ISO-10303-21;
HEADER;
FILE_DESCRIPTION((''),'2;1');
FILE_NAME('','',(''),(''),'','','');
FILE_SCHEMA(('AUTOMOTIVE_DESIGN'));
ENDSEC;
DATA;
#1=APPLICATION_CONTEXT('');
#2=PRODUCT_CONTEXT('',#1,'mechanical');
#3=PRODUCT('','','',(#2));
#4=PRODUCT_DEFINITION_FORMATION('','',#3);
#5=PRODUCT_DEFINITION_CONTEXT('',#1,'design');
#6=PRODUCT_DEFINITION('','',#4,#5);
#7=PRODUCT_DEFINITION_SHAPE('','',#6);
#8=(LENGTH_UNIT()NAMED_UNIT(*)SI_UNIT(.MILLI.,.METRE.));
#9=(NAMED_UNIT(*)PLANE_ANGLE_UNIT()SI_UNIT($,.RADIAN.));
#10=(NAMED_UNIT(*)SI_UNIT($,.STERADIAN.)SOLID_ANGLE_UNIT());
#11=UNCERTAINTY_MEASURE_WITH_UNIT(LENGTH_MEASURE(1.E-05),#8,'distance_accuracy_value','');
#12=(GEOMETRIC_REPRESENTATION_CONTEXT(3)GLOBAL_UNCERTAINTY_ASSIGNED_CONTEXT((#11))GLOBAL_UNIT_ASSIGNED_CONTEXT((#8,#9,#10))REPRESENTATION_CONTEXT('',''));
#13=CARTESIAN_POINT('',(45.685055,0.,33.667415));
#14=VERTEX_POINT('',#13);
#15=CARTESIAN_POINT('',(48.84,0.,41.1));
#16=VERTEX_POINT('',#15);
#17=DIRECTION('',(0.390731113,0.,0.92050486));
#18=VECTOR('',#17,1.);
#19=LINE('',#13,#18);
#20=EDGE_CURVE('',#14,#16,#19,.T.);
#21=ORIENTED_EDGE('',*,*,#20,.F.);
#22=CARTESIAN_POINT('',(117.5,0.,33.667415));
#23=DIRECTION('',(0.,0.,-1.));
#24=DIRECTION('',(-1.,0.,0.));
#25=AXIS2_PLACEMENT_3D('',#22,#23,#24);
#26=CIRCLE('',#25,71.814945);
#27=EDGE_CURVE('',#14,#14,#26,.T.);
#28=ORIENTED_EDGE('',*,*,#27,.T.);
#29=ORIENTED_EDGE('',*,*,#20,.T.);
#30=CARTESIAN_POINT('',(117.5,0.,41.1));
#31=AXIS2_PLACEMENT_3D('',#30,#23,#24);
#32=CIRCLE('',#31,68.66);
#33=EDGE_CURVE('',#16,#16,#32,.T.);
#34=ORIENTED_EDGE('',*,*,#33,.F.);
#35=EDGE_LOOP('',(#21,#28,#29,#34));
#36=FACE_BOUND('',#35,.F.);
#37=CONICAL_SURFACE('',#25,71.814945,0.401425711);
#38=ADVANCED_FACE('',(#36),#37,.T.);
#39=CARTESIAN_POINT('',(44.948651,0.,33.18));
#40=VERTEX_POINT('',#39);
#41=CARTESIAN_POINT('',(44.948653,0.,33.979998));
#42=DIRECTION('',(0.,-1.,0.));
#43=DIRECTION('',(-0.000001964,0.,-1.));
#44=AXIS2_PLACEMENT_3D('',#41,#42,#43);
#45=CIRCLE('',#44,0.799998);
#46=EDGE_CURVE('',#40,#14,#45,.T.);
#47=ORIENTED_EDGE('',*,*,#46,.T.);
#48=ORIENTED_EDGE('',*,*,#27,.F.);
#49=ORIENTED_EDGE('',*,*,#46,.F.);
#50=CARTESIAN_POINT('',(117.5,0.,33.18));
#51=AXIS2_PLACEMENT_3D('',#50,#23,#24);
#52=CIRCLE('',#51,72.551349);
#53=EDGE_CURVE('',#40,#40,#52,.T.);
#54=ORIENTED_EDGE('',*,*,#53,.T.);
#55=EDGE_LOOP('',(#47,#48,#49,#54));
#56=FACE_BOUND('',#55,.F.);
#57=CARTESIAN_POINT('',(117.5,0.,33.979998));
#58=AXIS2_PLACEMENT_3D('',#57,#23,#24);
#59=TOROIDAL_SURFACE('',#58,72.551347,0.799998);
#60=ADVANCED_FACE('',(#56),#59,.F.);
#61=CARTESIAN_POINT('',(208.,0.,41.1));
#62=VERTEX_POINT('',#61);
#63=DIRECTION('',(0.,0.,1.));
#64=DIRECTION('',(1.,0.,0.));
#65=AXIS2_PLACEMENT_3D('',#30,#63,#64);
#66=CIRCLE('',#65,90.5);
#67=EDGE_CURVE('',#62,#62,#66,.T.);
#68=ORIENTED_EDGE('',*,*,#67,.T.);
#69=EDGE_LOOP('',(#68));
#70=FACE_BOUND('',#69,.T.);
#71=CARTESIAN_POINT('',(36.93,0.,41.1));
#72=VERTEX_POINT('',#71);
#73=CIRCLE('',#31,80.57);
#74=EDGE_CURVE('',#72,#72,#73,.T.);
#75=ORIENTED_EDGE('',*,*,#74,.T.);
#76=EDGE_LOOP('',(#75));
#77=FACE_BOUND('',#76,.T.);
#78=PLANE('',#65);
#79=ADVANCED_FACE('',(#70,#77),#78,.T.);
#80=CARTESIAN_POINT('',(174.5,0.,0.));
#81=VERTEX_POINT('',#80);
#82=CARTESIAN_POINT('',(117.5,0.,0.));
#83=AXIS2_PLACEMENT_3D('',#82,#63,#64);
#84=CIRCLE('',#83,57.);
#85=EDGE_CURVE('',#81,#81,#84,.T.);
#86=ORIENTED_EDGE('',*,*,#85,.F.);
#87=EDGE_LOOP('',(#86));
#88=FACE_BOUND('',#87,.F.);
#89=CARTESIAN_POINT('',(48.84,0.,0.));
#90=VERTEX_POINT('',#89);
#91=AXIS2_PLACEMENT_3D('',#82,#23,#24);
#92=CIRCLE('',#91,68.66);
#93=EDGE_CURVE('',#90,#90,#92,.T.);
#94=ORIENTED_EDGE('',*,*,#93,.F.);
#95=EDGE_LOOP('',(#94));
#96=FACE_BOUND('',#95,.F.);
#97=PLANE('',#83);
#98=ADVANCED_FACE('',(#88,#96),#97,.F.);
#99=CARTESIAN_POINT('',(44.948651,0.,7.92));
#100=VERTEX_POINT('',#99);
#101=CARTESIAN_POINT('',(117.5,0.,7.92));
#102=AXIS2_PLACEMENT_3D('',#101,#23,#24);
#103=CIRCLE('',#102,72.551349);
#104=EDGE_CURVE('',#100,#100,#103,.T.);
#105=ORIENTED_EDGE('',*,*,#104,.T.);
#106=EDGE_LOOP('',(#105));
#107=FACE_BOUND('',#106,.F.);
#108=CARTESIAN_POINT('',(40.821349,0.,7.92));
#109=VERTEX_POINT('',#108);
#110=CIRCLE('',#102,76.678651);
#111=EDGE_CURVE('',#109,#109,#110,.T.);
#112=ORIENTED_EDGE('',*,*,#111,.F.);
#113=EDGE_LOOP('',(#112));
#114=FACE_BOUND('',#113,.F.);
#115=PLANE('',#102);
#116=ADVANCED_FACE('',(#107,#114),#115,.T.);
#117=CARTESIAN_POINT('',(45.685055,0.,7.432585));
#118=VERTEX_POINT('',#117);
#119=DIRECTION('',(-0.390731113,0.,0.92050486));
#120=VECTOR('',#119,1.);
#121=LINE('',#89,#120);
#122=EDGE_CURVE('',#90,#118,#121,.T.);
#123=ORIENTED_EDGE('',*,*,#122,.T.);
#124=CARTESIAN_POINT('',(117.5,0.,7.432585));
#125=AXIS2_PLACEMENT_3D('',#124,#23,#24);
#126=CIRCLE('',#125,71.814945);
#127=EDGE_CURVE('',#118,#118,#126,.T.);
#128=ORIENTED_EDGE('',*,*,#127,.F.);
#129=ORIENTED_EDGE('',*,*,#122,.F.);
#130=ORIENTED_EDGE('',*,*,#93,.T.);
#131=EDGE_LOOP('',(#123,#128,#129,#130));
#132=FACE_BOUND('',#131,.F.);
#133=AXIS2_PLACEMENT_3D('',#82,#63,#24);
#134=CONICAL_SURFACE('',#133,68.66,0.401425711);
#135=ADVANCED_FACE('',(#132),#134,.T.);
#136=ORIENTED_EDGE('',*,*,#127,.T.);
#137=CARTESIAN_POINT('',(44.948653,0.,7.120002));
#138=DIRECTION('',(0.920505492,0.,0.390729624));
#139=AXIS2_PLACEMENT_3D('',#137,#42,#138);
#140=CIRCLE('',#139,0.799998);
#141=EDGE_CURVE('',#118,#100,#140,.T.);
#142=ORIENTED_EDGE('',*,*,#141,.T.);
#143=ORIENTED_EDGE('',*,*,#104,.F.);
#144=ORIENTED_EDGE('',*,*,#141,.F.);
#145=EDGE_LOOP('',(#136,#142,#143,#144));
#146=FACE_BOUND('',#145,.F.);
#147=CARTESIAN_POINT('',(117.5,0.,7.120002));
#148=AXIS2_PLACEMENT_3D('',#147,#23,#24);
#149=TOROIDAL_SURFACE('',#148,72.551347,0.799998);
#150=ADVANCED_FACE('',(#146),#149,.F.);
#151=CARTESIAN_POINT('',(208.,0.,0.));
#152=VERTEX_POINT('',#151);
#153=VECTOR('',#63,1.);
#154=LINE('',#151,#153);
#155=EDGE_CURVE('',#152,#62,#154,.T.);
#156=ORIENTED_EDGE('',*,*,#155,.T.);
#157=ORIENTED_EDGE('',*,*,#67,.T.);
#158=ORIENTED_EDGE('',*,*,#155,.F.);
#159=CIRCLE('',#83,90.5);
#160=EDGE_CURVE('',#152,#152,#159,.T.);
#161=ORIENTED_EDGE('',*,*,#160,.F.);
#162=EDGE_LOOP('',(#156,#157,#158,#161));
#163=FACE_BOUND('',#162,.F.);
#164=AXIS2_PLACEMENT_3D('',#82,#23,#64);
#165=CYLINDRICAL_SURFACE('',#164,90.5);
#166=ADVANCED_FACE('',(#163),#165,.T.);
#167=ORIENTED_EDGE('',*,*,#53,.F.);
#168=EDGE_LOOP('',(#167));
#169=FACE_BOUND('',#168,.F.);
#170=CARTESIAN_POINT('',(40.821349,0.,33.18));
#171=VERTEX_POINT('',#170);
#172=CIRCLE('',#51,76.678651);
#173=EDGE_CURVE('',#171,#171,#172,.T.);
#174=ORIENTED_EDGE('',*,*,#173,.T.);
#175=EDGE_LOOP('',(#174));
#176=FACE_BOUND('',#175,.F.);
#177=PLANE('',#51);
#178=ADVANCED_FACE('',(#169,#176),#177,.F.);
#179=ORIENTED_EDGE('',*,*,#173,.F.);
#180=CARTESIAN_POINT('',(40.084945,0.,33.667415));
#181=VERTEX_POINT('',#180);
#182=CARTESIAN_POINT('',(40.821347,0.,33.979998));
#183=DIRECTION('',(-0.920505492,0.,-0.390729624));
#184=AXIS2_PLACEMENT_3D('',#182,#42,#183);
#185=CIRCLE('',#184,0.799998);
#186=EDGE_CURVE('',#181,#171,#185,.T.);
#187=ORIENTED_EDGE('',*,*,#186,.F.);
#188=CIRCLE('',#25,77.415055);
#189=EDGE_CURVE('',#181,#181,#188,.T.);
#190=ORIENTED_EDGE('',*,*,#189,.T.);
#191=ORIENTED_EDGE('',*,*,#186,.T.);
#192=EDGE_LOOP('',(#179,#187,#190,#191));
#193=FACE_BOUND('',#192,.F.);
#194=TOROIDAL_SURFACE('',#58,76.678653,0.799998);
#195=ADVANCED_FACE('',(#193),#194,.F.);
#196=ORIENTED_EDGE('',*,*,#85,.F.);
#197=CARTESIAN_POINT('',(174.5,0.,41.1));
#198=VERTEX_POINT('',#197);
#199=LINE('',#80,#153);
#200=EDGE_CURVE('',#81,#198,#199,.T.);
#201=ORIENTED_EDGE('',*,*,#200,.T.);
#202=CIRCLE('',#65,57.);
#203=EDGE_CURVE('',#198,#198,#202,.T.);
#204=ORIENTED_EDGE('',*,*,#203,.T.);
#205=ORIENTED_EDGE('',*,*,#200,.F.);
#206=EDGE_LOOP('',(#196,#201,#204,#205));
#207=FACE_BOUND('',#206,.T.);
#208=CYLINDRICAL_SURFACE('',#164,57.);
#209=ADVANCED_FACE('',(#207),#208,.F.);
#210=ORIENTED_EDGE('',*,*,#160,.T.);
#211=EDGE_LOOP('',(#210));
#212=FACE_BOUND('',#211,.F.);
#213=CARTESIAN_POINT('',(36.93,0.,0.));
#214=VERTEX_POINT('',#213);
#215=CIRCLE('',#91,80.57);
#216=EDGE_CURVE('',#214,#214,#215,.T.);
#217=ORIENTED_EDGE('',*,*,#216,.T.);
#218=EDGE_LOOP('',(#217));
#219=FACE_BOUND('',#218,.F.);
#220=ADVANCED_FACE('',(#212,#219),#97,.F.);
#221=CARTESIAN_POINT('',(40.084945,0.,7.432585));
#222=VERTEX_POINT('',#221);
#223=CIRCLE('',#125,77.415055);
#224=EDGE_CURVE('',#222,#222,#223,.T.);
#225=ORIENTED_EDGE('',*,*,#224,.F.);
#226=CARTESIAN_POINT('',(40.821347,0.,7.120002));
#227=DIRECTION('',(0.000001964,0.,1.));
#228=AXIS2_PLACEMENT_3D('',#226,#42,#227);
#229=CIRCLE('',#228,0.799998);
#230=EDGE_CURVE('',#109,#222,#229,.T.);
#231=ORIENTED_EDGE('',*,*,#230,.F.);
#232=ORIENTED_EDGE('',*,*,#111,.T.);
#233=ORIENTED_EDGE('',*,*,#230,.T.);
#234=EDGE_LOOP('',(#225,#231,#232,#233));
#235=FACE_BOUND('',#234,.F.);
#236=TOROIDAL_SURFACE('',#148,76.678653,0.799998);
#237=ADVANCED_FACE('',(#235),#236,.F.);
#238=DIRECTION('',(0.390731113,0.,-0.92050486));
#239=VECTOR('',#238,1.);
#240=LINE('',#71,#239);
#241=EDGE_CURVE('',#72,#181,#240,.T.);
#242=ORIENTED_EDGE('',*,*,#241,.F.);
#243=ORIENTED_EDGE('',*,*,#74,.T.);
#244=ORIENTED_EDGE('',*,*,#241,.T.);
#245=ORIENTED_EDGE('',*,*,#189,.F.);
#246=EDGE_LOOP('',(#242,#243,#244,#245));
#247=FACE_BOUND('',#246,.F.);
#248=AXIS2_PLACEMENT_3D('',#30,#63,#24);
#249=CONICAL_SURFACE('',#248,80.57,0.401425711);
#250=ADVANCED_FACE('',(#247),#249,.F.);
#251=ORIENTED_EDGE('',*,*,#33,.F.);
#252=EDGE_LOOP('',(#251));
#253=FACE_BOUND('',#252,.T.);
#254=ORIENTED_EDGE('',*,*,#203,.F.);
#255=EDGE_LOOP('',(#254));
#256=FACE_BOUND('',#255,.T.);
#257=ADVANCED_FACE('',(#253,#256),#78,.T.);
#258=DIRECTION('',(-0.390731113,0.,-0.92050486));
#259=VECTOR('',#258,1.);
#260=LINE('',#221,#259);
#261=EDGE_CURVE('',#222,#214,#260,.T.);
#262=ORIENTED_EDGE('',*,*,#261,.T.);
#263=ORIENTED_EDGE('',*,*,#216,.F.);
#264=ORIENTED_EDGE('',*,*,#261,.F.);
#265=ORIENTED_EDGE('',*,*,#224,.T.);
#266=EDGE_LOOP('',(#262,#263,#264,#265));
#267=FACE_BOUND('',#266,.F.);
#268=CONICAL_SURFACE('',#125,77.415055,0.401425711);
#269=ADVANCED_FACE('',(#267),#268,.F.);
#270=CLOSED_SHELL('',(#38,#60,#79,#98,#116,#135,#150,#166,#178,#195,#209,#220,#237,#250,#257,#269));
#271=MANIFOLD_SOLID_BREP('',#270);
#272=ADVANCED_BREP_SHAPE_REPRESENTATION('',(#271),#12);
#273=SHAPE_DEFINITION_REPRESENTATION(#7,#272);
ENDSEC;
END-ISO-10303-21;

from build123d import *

# Parameters (mm, degrees)
F0_R     = 90.5
F0_R_2   = 57
F1_DEPTH = 41.1


with BuildPart() as f1:
    # F0 (on Top) → F1 (new body)
    with BuildSketch(Plane.XY):
        with Locations((117.5, 0)):
            Circle(F0_R)
        with Locations((117.5, 0)):
            Circle(F0_R_2, mode=Mode.SUBTRACT)
    extrude(amount=F1_DEPTH)

    # F2 (on Front) → F3 (revolve, cut)
    with BuildSketch(Plane.XZ):
        with BuildLine():
            Line((45.685055, 33.667415), (48.84, 41.1))
            Line((48.84, 41.1), (36.93, 41.1))
            Line((36.93, 41.1), (40.084945, 33.667415))
            ThreePointArc((40.084945, 33.667415), (40.379799, 33.312891), (40.821349, 33.18))
            Line((40.821349, 33.18), (44.948651, 33.18))
            ThreePointArc((44.948651, 33.18), (45.390201, 33.312891), (45.685055, 33.667415))
        make_face()
        with BuildLine():
            ThreePointArc((45.685055, 7.432585), (45.390201, 7.787109), (44.948651, 7.92))
            Line((44.948651, 7.92), (40.821349, 7.92))
            ThreePointArc((40.821349, 7.92), (40.379799, 7.787109), (40.084945, 7.432585))
            Line((40.084945, 7.432585), (36.93, 0))
            Line((36.93, 0), (48.84, 0))
            Line((48.84, 0), (45.685055, 7.432585))
        make_face()
    revolve(axis=Axis((117.5, 0, 20.55), (0, 0, -1)), mode=Mode.SUBTRACT)


solid = f1.part
